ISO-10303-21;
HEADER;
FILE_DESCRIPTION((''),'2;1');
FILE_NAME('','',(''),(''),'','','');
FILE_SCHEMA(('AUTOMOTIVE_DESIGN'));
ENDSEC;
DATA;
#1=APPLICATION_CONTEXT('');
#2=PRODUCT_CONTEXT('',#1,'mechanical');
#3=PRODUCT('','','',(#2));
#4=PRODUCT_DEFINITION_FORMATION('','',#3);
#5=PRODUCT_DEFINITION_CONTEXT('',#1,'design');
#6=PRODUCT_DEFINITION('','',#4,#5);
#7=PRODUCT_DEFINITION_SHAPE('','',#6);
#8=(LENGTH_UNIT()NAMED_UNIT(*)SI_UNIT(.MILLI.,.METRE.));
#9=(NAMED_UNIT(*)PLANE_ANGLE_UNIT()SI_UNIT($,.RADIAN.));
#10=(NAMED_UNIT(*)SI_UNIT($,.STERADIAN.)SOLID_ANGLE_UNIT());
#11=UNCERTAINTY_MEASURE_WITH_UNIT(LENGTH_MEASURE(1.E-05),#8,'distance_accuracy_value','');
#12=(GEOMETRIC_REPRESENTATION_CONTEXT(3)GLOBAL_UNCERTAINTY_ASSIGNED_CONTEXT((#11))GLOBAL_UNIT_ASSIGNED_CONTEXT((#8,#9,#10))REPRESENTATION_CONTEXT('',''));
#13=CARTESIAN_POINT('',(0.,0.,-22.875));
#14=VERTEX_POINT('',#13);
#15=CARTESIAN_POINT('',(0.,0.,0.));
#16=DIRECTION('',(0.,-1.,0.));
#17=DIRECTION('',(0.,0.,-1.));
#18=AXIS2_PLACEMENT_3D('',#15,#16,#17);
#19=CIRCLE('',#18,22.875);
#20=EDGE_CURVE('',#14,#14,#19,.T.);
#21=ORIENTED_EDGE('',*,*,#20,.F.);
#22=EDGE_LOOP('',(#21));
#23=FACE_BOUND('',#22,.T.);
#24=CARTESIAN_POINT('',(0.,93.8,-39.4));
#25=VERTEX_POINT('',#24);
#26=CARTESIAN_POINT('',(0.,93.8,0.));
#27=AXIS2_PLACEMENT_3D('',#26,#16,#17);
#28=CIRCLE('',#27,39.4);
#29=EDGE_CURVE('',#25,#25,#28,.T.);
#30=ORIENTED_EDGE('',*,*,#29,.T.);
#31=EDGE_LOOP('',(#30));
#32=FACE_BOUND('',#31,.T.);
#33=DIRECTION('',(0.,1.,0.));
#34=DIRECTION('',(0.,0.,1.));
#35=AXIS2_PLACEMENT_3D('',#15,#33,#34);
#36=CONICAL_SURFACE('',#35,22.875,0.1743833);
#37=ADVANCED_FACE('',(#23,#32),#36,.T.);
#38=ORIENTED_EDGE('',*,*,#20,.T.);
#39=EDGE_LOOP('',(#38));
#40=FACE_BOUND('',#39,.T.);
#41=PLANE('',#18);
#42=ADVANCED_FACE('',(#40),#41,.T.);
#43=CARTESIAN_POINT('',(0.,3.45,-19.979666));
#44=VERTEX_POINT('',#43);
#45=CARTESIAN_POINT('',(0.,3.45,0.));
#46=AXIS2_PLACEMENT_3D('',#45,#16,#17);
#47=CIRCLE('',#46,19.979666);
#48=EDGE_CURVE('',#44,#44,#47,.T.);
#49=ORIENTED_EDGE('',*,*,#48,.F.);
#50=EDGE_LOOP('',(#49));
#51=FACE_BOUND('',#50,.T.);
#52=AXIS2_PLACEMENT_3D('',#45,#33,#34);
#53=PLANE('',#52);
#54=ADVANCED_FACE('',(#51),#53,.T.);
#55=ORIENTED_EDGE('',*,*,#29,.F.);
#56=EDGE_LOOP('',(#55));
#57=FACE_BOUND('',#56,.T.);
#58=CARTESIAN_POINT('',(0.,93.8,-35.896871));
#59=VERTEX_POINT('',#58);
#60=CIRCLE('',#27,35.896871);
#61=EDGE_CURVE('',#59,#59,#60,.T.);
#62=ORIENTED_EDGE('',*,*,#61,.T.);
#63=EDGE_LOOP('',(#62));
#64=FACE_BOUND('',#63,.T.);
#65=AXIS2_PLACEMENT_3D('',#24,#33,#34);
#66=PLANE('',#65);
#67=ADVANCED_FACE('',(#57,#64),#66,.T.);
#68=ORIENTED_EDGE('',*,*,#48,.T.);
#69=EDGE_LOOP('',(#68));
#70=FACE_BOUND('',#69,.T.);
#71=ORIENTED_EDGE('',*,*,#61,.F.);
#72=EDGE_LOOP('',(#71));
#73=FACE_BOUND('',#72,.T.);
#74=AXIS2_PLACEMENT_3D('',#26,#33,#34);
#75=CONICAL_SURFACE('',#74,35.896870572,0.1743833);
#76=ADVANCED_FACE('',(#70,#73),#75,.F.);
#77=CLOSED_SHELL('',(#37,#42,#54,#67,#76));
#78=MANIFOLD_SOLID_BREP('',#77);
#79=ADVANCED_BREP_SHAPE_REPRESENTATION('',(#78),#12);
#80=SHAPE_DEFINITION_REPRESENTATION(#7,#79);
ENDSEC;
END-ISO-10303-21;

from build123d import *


with BuildPart() as part:
    # Croquis1 → Revolución1 (revolve)
    with BuildSketch(Plane(origin=(0, 0, 0), x_dir=(0, 0, -1), z_dir=(1, 0, 0))):
        Polygon((0, 0), (22.875, 0), (39.4, 93.8), (35.896870572, 93.8), (19.979666415, 3.45), (0, 3.45), align=None)
    revolve(axis=Axis((0, 0, 0), (0, 1, 0)))


solid = part.part
